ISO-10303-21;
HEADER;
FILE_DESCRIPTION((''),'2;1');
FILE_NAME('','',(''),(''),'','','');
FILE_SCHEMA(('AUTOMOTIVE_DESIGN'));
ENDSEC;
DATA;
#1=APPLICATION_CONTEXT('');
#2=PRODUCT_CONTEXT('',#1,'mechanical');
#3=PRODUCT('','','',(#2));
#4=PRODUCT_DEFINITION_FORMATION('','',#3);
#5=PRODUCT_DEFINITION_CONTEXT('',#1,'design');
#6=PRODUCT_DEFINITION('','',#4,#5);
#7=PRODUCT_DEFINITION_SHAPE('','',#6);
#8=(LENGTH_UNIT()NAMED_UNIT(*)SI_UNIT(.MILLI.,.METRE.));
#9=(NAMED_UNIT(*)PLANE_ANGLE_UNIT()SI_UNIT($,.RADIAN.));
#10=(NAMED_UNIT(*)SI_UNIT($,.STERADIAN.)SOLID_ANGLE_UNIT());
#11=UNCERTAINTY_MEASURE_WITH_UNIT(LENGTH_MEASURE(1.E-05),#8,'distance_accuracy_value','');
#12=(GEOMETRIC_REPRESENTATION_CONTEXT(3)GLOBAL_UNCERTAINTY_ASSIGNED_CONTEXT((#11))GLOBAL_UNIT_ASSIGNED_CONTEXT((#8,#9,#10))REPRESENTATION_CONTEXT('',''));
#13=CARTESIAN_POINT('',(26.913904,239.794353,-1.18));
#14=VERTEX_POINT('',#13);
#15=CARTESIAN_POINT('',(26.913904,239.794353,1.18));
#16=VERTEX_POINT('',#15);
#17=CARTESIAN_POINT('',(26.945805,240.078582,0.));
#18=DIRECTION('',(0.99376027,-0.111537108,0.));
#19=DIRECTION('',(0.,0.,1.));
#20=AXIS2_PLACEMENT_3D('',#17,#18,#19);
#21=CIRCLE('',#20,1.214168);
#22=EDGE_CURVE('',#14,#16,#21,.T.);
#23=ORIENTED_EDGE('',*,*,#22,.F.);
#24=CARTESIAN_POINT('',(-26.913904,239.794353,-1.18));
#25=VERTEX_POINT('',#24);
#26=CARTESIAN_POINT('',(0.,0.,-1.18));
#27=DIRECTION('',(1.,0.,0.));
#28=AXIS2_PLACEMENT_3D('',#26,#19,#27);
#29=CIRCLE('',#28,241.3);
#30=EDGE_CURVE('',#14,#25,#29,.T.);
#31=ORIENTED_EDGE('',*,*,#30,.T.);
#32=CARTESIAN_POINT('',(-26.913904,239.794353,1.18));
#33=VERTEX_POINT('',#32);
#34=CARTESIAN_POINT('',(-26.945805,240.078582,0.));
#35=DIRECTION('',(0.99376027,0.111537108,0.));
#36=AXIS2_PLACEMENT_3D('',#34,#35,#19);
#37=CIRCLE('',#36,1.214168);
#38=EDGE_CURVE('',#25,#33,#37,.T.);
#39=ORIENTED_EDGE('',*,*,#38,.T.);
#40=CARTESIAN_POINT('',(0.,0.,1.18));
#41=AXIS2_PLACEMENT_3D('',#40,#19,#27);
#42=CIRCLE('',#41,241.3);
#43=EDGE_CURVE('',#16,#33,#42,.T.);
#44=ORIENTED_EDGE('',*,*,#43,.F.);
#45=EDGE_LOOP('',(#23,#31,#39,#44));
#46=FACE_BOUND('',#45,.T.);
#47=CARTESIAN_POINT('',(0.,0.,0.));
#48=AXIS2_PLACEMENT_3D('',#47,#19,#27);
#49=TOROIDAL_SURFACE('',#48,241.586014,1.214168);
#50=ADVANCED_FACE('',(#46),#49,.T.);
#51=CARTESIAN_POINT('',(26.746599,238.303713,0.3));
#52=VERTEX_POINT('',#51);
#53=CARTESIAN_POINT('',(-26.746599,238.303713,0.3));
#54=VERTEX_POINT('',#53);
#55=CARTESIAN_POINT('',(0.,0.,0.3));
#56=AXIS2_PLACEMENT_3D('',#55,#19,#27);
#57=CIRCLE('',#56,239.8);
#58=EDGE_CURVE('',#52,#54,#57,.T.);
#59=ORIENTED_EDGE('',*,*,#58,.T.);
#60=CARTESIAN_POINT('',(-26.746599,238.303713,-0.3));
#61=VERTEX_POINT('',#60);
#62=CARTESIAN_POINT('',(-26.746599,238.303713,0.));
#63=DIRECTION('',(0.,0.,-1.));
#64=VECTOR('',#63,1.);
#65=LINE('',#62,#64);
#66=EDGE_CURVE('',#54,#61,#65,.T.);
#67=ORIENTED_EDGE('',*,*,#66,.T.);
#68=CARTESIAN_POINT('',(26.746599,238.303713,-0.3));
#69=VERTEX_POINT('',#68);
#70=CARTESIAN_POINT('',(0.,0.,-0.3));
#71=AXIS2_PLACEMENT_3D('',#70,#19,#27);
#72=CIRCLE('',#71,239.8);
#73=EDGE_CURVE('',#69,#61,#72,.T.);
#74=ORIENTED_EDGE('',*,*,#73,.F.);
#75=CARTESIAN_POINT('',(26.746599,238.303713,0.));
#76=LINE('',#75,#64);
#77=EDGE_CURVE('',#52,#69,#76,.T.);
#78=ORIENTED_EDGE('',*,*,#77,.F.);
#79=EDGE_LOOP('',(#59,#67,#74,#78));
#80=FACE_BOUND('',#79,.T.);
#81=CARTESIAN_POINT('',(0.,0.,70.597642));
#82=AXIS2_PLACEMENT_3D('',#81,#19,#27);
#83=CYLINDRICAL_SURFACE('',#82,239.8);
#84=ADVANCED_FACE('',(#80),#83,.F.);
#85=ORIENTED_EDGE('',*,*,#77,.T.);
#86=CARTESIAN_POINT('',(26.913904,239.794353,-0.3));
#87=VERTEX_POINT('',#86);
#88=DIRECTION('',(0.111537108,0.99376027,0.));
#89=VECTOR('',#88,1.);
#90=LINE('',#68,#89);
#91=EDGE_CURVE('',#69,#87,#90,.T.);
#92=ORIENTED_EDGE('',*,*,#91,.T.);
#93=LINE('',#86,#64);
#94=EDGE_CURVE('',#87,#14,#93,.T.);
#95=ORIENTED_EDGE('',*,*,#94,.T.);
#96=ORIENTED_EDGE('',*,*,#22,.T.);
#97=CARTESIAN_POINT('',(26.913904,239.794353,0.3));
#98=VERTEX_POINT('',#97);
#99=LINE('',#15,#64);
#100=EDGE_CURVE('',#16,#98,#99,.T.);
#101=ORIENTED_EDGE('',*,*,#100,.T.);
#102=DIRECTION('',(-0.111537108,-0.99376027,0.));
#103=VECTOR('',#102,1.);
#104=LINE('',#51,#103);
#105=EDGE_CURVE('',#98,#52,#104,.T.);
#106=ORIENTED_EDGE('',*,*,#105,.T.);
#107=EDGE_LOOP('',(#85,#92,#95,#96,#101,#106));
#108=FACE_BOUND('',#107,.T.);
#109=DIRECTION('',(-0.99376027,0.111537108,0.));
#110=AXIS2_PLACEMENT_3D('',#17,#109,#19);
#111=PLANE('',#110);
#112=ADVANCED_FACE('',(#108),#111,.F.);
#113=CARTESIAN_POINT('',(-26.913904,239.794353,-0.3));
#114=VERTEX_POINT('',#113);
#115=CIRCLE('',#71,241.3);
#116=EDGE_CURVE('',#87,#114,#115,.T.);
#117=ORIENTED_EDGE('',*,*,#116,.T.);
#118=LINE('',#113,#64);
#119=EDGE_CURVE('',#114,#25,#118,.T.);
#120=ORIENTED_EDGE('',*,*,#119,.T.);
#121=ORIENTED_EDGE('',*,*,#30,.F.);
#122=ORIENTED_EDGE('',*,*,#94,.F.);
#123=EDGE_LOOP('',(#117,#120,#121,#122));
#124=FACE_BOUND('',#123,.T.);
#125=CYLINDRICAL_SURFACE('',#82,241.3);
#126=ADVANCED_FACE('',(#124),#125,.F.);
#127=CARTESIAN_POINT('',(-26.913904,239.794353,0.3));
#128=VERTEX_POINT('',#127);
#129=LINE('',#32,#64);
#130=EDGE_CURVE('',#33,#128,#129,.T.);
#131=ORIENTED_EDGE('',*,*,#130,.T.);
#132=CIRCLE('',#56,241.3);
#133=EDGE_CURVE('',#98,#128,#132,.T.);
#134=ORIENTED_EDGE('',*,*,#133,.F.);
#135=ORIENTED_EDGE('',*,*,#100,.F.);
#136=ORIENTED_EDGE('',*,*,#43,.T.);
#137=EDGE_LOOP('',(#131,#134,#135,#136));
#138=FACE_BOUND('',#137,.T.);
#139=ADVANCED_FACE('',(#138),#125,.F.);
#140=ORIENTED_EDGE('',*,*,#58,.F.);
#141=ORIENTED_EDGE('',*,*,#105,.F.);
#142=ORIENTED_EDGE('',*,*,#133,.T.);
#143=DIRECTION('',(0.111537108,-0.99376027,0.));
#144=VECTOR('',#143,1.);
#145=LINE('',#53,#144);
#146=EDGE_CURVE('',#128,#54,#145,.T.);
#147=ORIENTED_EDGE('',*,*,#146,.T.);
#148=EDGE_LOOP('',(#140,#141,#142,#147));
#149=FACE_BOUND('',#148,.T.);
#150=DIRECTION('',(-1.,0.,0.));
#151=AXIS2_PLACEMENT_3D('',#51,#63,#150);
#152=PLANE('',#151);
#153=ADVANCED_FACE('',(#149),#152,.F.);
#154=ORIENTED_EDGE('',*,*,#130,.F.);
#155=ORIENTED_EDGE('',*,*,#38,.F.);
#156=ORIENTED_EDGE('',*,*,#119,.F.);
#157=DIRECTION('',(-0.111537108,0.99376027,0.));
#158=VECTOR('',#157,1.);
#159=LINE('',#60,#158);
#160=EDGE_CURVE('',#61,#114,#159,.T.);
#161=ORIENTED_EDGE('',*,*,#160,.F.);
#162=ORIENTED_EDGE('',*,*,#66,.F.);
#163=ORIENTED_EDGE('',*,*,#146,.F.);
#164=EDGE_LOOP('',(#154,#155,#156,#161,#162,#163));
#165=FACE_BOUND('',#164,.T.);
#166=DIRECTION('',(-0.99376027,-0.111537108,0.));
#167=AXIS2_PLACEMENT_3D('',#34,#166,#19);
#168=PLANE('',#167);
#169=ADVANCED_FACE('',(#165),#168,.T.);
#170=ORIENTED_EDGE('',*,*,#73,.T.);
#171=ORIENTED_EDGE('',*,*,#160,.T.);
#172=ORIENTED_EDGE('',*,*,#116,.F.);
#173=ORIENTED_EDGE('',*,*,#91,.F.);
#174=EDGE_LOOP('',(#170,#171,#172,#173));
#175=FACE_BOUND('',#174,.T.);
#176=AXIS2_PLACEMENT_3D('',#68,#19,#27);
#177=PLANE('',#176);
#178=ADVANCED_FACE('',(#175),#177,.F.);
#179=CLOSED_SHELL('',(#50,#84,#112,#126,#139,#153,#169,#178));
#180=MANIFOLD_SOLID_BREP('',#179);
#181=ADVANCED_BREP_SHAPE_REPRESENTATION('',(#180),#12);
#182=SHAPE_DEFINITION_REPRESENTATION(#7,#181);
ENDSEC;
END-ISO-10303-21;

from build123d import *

# Parameters (mm, degrees)
REVOLVE1_ANGLE           = 6.403930703
REVOLVE1_OTHER_WAY_ANGLE = 6.403930703


with BuildPart() as part:
    # Sketch2 → Revolve1 (revolve)
    with BuildSketch(Plane(origin=(0, 0, 0), x_dir=(0, 0, -1), z_dir=(1, 0, 0))):
        with BuildLine():
            Line((0, 239.8), (0.3, 239.8))
            Line((0.3, 239.8), (0.3, 241.3))
            Line((0.3, 241.3), (1.18, 241.3))
            ThreePointArc((1.18, 241.3), (0, 242.800182019), (-1.18, 241.3))
            Line((-1.18, 241.3), (-0.3, 241.3))
            Line((-0.3, 241.3), (-0.3, 239.8))
            Line((-0.3, 239.8), (0, 239.8))
        make_face()
    revolve(axis=Axis((0, 0, 70.597641597), (0, 0, -1)), revolution_arc=REVOLVE1_ANGLE)

    # Sketch2 → Revolve1 other way (revolve)
    with BuildSketch(Plane(origin=(0, 0, 0), x_dir=(0, 0, -1), z_dir=(1, 0, 0))):
        with BuildLine():
            Line((0, 239.8), (0.3, 239.8))
            Line((0.3, 239.8), (0.3, 241.3))
            Line((0.3, 241.3), (1.18, 241.3))
            ThreePointArc((1.18, 241.3), (0, 242.800182019), (-1.18, 241.3))
            Line((-1.18, 241.3), (-0.3, 241.3))
            Line((-0.3, 241.3), (-0.3, 239.8))
            Line((-0.3, 239.8), (0, 239.8))
        make_face()
    revolve(axis=Axis((0, 0, 70.597641597), (0, 0, 1)), revolution_arc=REVOLVE1_OTHER_WAY_ANGLE)


solid = part.part
